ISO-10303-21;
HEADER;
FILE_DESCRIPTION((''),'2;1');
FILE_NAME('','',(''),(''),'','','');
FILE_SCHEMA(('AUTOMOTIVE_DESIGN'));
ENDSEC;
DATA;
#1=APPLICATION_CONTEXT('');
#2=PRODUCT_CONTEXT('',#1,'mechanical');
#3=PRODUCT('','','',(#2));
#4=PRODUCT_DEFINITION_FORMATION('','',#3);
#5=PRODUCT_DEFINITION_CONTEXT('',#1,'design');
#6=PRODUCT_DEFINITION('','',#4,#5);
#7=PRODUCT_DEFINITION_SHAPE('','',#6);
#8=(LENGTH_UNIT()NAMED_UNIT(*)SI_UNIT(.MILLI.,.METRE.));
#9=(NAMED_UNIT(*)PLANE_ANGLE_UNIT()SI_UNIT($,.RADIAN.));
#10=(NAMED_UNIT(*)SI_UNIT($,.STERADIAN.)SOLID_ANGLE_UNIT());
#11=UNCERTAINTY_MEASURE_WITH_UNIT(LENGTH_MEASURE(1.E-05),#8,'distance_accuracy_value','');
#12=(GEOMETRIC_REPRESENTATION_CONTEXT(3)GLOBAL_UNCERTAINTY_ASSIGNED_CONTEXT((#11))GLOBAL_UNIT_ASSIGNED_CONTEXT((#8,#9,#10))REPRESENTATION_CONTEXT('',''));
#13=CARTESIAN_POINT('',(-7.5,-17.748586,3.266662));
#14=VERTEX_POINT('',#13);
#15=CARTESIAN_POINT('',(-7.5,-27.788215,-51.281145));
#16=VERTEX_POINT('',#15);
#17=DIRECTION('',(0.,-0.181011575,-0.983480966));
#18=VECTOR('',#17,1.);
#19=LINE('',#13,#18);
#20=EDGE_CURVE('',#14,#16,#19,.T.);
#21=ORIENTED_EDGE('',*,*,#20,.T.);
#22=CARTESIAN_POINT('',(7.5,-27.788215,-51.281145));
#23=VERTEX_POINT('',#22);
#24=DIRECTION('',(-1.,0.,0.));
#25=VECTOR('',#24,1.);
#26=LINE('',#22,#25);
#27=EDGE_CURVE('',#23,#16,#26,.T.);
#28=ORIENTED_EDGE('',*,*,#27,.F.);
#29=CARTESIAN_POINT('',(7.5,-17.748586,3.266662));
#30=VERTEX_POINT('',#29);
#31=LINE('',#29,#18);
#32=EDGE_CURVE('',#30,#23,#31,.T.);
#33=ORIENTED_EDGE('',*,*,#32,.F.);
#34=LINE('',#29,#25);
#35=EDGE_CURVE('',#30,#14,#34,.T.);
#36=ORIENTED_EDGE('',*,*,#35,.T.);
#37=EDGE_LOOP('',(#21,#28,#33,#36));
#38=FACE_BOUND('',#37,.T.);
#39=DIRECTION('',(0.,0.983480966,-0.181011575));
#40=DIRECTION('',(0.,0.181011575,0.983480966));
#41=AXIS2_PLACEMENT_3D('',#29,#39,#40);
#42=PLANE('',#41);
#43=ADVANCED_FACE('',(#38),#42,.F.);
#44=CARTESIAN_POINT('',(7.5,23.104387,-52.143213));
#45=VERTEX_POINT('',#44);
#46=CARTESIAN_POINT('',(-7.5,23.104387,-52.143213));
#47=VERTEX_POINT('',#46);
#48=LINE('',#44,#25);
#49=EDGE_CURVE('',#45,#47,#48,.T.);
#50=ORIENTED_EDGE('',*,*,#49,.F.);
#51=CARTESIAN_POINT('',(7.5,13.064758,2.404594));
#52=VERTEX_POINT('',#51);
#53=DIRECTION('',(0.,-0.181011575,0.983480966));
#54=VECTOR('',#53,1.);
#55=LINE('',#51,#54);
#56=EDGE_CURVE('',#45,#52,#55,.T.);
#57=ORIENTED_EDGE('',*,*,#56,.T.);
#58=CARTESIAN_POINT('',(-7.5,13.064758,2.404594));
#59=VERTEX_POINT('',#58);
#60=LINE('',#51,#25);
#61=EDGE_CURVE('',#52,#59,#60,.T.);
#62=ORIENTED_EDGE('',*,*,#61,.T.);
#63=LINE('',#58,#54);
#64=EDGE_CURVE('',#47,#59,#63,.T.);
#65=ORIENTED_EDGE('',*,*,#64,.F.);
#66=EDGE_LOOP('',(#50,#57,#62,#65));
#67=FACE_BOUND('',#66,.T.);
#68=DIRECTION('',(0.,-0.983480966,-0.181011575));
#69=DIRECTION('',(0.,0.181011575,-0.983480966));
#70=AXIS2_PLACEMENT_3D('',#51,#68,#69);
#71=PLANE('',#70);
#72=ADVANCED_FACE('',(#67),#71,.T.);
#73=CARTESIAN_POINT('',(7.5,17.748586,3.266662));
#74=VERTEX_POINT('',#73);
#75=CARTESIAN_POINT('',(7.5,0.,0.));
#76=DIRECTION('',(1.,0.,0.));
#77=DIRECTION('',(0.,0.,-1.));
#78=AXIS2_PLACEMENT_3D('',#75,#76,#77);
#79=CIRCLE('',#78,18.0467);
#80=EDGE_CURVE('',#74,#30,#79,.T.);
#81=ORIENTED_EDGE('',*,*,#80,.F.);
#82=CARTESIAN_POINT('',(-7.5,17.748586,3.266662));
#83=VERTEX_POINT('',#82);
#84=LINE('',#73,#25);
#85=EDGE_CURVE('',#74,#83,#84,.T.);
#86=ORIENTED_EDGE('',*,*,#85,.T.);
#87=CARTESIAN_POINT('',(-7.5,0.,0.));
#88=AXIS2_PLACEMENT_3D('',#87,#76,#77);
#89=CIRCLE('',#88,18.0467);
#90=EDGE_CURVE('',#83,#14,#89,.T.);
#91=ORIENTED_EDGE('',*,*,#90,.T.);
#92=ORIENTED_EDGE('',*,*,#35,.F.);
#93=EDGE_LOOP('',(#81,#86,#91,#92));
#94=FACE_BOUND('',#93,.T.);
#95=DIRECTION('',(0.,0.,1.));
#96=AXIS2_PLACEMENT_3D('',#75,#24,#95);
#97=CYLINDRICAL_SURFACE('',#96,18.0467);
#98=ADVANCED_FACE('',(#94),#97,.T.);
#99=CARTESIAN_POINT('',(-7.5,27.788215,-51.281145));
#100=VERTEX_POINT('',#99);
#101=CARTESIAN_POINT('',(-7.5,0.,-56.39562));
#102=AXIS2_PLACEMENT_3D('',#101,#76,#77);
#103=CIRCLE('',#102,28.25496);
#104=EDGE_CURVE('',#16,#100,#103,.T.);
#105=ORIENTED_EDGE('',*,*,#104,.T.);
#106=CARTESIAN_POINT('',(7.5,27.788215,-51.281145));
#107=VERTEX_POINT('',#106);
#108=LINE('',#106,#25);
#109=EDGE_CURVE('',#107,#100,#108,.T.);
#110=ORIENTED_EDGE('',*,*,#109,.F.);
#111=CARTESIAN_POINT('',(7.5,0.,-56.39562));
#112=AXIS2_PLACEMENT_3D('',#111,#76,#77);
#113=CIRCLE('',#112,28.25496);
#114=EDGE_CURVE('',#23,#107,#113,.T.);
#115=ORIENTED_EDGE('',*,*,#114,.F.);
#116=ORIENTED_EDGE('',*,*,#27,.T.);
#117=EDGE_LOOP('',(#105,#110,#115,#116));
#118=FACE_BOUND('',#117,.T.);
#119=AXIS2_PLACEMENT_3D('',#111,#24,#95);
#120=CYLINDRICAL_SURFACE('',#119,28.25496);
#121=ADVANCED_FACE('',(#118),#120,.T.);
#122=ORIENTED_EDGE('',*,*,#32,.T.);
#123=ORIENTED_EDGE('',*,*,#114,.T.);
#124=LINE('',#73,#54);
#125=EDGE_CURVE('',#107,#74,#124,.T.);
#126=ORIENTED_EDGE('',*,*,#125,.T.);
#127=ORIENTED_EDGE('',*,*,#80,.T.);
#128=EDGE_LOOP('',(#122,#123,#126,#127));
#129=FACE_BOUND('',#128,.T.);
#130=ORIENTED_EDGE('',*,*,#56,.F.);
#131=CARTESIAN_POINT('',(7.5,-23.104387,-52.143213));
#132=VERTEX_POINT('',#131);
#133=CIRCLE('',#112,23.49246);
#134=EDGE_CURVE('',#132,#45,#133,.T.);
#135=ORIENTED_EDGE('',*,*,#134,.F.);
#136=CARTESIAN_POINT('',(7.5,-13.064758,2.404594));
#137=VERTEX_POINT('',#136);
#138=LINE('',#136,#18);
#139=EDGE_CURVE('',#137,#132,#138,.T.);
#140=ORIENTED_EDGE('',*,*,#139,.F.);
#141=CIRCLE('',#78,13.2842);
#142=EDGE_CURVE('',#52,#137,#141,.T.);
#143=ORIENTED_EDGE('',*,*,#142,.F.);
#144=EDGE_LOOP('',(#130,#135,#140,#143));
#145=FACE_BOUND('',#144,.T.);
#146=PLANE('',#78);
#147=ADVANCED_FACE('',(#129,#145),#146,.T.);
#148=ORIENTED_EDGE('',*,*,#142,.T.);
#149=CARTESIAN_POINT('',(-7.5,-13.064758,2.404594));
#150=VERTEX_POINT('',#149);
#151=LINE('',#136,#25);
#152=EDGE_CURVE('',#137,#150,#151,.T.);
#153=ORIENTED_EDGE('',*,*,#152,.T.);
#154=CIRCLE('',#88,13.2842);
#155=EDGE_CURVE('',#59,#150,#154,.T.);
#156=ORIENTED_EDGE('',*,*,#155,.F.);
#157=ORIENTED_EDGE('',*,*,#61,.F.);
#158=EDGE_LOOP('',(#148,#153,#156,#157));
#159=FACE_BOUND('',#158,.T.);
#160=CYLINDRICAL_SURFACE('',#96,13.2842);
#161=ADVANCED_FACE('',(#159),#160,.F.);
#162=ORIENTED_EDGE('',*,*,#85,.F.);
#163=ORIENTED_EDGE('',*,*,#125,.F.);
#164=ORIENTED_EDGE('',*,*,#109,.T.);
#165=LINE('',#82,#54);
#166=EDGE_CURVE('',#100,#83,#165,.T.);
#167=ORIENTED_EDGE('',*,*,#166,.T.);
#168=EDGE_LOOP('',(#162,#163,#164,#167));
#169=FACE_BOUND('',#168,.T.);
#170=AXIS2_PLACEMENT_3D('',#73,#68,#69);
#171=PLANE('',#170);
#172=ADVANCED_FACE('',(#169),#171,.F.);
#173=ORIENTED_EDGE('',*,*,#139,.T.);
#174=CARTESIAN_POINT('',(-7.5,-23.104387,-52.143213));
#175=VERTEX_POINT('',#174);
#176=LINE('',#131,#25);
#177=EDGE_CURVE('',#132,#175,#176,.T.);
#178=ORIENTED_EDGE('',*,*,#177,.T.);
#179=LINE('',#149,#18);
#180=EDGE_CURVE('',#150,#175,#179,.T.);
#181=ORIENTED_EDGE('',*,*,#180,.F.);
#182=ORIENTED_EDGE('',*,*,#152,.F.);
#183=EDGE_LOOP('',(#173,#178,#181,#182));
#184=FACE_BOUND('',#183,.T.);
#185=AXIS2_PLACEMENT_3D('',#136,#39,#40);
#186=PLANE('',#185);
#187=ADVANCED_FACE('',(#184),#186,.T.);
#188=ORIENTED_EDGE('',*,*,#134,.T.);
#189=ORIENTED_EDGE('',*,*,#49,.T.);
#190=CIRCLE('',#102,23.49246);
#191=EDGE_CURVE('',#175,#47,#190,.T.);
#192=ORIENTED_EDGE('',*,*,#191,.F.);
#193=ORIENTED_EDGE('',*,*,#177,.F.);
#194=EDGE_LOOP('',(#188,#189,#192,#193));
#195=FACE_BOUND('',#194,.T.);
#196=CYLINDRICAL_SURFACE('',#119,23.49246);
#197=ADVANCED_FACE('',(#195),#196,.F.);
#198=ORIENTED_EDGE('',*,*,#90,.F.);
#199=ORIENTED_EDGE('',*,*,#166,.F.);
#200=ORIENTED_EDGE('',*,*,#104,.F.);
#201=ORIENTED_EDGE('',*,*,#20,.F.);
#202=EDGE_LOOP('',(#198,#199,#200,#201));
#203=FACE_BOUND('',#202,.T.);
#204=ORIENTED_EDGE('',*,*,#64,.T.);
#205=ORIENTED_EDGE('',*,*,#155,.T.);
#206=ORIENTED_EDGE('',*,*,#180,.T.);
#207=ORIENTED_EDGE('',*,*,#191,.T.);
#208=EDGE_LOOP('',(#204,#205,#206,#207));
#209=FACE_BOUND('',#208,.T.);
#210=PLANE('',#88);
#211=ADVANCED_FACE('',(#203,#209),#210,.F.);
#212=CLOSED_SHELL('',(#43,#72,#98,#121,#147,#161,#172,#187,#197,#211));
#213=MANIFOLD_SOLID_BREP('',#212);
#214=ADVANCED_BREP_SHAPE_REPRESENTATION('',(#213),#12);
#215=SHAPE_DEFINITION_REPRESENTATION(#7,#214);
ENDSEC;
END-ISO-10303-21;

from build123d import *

# Parameters (mm, degrees)
BOSS_EXTRUDE1_DEPTH = 7.5


with BuildPart() as part:
    # Sketch1 → Boss-Extrude1 (new body, symmetric)
    with BuildSketch(Plane(origin=(0, 0, 0), x_dir=(0, 0, -1), z_dir=(1, 0, 0))):
        with BuildLine():
            Line((-3.266661591, 17.748585942), (51.281145188, 27.788215344))
            ThreePointArc((51.281145188, 27.788215344), (84.65058, 0), (51.281145188, -27.788215344))
            Line((51.281145188, -27.788215344), (-3.266661591, -17.748585942))
            ThreePointArc((-3.266661591, -17.748585942), (-18.0467, 0), (-3.266661591, 17.748585942))
        make_face()
        with BuildLine():
            Line((-2.404593965, 13.064757843), (52.143212814, 23.104387245))
            ThreePointArc((52.143212814, 23.104387245), (79.88808, 0), (52.143212814, -23.104387245))
            Line((52.143212814, -23.104387245), (-2.404593965, -13.064757843))
            ThreePointArc((-2.404593965, -13.064757843), (-13.2842, 0), (-2.404593965, 13.064757843))
        make_face(mode=Mode.SUBTRACT)
    extrude(amount=BOSS_EXTRUDE1_DEPTH, both=True)


solid = part.part
